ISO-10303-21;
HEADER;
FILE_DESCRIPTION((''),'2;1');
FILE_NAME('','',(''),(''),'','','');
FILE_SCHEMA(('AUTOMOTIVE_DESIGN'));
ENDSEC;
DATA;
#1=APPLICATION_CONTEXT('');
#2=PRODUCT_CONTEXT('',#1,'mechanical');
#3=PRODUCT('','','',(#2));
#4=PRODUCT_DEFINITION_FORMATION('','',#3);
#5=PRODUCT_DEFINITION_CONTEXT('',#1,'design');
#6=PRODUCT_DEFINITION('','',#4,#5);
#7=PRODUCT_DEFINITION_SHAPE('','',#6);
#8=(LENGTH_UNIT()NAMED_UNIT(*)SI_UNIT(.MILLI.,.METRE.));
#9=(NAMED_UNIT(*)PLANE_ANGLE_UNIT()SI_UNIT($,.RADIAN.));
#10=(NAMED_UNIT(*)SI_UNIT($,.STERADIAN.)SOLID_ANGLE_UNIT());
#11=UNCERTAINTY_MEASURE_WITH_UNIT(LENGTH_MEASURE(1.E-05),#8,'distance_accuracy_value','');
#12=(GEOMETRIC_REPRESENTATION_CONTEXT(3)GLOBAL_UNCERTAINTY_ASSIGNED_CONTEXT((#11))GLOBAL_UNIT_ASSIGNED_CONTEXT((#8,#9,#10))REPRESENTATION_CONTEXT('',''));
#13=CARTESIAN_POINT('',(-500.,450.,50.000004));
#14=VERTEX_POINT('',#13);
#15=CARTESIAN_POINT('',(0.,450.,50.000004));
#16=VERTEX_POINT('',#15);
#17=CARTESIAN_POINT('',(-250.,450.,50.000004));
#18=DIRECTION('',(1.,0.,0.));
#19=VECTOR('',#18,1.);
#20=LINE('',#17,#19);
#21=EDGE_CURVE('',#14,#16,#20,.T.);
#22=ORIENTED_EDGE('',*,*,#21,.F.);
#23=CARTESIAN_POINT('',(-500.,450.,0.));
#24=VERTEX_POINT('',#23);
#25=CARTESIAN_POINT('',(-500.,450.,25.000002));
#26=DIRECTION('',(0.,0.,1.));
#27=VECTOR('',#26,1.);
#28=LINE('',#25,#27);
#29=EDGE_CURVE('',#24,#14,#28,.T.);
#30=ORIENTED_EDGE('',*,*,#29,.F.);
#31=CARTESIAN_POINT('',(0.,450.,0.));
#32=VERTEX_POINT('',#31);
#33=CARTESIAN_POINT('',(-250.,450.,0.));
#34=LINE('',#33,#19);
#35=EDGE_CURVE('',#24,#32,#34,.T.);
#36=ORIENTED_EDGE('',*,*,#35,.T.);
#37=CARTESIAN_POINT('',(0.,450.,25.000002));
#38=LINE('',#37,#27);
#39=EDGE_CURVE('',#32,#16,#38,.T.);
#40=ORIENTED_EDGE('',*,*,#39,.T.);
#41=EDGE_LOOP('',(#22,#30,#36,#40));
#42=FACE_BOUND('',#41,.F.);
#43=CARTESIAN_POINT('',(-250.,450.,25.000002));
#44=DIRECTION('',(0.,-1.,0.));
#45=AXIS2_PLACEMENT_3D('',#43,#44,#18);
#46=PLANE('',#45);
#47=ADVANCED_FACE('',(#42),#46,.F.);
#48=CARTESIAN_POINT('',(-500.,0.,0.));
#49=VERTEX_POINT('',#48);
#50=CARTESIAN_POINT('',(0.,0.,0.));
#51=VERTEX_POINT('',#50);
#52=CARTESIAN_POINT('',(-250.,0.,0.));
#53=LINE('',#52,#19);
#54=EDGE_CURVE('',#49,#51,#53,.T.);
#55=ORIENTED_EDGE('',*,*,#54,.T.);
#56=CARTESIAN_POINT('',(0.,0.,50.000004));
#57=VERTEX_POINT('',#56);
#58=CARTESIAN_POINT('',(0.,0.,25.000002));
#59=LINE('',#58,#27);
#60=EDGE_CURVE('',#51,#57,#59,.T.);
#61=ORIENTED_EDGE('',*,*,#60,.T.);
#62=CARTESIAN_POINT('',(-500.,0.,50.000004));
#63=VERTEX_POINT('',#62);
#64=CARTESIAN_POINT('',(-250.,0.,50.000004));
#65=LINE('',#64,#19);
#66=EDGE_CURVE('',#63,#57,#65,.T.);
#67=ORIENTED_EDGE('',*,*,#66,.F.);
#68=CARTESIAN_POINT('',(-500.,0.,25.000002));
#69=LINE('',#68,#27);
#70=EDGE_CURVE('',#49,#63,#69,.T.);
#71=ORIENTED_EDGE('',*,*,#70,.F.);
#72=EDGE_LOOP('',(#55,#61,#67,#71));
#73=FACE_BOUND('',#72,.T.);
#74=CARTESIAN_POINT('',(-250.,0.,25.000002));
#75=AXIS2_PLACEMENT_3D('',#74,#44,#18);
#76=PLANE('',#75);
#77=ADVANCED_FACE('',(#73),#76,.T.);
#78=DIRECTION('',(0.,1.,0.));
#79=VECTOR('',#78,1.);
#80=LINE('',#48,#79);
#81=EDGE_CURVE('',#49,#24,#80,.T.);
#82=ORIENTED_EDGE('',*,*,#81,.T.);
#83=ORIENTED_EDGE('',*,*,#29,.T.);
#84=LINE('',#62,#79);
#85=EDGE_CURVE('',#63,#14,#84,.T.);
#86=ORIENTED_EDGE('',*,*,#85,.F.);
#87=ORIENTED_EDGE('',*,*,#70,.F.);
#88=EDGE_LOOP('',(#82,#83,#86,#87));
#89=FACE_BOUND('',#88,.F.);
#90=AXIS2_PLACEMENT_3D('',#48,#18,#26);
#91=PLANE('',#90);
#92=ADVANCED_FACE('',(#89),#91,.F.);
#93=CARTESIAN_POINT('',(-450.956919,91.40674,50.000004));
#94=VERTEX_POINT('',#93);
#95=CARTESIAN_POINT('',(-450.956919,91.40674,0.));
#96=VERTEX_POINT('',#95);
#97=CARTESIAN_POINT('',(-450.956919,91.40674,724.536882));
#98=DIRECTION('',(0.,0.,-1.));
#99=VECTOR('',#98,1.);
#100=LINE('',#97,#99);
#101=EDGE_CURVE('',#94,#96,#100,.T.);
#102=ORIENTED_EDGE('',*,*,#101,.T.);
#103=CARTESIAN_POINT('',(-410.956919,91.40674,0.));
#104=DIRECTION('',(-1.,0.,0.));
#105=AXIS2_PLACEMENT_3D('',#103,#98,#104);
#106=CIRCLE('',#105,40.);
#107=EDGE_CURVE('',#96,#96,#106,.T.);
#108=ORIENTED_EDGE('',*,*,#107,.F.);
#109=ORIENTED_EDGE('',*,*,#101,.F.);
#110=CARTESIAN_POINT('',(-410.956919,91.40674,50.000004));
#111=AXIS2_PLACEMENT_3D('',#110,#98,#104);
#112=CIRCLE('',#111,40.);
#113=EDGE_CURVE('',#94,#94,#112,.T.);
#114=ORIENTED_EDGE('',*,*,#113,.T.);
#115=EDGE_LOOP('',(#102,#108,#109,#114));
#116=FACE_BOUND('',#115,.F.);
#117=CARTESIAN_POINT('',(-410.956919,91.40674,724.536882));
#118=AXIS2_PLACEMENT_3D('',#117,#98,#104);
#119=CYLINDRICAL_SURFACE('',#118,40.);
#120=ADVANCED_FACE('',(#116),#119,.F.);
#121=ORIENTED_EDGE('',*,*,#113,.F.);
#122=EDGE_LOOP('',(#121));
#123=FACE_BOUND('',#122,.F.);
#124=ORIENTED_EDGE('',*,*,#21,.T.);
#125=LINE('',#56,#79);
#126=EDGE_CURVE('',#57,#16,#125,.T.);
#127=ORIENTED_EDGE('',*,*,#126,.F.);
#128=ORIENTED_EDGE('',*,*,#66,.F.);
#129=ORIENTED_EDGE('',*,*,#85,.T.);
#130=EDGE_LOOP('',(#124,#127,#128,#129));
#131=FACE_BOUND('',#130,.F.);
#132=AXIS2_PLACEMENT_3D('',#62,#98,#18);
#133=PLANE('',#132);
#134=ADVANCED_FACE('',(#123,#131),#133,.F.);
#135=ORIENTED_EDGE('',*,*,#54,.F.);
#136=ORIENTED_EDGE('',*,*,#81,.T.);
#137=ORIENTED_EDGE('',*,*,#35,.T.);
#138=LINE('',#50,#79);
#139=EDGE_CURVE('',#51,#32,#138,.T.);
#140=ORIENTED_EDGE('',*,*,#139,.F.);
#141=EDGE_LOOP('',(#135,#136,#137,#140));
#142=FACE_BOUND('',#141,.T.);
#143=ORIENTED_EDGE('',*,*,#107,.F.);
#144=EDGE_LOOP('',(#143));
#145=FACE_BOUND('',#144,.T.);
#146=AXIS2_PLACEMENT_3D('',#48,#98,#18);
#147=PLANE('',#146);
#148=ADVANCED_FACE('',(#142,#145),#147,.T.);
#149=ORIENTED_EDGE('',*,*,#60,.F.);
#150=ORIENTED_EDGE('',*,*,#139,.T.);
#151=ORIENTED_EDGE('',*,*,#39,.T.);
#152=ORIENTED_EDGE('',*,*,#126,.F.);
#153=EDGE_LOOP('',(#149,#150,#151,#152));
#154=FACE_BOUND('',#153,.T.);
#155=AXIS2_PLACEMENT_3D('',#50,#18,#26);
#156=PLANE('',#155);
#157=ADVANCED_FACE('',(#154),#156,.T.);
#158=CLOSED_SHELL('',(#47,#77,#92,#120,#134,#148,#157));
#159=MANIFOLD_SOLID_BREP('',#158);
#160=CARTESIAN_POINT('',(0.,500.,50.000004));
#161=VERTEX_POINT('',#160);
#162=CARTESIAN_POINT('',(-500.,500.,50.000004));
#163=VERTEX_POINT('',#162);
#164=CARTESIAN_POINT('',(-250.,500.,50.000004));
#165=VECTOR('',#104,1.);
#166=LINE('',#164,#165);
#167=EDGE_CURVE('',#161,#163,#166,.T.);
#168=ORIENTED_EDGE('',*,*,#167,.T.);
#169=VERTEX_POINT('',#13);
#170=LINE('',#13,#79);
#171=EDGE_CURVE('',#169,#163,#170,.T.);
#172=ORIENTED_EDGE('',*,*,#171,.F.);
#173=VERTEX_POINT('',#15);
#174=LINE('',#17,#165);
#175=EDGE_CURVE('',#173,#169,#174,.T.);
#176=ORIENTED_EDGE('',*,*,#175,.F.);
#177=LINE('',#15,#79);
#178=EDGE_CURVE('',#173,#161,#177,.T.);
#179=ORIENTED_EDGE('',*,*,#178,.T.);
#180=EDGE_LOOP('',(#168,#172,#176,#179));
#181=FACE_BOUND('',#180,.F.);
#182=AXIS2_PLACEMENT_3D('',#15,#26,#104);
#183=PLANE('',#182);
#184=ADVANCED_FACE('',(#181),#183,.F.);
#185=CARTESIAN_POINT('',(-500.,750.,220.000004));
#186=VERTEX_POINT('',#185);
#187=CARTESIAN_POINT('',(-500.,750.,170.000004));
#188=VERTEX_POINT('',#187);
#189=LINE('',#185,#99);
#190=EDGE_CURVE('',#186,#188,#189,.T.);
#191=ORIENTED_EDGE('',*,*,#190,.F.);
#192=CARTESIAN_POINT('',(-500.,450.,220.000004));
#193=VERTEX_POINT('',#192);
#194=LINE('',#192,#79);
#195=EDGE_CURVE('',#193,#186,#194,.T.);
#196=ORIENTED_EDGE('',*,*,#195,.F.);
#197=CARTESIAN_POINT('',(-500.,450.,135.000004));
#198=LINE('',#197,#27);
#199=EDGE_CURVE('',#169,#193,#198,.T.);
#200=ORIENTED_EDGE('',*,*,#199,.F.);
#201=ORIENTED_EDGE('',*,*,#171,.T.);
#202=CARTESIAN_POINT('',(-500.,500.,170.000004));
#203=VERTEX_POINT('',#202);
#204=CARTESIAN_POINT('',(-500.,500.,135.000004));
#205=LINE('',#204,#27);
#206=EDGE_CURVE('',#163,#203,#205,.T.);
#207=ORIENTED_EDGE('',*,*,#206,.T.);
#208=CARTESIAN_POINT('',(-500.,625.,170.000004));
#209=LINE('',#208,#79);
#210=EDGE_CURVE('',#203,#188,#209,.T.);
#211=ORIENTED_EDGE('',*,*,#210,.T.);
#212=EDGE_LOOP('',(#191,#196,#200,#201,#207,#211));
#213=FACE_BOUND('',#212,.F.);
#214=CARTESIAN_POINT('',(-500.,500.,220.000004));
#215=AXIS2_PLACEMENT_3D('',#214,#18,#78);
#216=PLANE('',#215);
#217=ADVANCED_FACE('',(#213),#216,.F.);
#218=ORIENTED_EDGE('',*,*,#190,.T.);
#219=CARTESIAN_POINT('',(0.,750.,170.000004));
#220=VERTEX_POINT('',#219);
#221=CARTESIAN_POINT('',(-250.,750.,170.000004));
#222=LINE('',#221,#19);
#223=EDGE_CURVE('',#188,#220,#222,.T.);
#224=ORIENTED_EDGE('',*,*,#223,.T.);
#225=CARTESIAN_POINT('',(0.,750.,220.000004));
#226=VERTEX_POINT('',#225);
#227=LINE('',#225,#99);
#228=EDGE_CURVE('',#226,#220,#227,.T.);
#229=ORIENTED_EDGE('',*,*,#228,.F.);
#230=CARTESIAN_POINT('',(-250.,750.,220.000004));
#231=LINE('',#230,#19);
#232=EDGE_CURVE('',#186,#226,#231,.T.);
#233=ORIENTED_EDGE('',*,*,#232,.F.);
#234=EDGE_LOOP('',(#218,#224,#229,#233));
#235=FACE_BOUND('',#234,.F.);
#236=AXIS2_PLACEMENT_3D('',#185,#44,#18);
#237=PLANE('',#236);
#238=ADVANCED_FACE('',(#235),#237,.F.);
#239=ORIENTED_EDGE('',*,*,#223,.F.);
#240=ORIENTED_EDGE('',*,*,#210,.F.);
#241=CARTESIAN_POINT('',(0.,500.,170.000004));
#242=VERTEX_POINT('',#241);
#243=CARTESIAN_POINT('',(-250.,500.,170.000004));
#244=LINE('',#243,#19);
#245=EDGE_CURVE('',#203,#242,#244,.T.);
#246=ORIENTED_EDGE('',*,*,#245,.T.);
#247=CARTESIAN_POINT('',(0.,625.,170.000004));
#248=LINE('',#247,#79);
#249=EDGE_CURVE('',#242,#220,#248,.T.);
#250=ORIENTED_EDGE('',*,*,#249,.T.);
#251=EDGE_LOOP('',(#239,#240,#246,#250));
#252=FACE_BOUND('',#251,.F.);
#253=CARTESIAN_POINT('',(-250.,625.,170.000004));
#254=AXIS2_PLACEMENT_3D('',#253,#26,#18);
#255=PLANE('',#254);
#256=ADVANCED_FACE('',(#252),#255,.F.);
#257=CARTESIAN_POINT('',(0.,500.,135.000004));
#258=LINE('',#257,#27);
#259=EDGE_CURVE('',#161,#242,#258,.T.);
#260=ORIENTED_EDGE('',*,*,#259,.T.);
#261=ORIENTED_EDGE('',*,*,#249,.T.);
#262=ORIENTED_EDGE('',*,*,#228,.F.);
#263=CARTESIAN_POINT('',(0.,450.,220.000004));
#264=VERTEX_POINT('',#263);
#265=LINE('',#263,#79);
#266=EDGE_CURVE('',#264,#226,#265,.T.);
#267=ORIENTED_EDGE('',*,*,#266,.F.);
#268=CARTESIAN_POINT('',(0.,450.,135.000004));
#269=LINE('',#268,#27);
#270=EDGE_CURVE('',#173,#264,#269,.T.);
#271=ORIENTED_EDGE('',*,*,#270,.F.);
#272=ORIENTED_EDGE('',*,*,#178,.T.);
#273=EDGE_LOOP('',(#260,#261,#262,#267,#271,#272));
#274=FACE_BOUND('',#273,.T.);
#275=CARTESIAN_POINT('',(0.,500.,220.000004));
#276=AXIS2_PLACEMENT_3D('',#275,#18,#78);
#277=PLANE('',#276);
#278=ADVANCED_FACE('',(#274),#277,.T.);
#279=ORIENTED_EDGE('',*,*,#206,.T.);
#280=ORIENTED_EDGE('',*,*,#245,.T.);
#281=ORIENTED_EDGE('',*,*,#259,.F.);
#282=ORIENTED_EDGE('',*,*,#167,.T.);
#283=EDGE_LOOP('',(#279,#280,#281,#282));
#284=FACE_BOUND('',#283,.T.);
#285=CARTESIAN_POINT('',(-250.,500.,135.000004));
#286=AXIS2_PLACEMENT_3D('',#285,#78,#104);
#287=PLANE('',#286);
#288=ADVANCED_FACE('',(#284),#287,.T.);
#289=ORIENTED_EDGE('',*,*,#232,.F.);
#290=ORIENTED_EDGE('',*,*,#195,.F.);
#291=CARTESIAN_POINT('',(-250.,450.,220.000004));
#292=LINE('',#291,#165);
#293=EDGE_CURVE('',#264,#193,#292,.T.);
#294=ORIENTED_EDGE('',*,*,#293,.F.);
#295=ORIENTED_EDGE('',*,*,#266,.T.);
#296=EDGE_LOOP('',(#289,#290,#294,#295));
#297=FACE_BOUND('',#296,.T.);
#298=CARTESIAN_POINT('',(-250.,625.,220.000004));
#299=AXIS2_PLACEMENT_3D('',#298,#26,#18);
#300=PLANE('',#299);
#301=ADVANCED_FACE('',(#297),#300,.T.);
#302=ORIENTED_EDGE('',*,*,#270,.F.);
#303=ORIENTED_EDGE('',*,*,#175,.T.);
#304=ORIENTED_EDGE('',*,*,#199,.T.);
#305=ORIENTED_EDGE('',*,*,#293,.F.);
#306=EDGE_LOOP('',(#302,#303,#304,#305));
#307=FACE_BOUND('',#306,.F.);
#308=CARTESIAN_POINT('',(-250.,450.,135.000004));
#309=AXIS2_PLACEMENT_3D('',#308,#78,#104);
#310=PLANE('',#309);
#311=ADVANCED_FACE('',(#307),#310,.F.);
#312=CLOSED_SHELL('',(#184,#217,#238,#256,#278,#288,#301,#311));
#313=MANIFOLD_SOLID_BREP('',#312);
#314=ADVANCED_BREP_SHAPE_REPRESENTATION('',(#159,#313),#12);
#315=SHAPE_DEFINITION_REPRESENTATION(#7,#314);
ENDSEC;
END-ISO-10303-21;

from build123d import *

# Parameters (mm, degrees)
F0_W     = 500
F0_H     = 50.000004
F1_DEPTH = 450
F2_W     = 500
F2_H     = 170
F3_DEPTH = 50
F4_W     = 500
F4_H     = 250
F5_DEPTH = 50
F7_D     = 80


with BuildPart() as f1:
    # F0 (on Front) → F1 (new body)
    with BuildSketch(Plane.XZ):
        with Locations((-250, 25.000002)):
            Rectangle(F0_W, F0_H)
    extrude(amount=-F1_DEPTH)

    # F7 (through all)
    with Locations(Plane.XY.offset(50.000004)):
        with Locations((-410.956919, 91.40674)):
            Hole(F7_D / 2)


with BuildPart() as f3:
    # F2 (on face) → F3 (new body)
    with BuildSketch(Plane(origin=(0, 450, 0), x_dir=(-1, 0, 0), z_dir=(0, 1, 0))):
        with Locations((250, 135.000004)):
            Rectangle(F2_W, F2_H)
    extrude(amount=F3_DEPTH)

    # F4 (on face) → F5 (join)
    with BuildSketch(Plane.XY.offset(220.000004)):
        with Locations((-250, 625)):
            Rectangle(F4_W, F4_H)
    extrude(amount=-F5_DEPTH)


solid = Compound([f1.part, f3.part])
